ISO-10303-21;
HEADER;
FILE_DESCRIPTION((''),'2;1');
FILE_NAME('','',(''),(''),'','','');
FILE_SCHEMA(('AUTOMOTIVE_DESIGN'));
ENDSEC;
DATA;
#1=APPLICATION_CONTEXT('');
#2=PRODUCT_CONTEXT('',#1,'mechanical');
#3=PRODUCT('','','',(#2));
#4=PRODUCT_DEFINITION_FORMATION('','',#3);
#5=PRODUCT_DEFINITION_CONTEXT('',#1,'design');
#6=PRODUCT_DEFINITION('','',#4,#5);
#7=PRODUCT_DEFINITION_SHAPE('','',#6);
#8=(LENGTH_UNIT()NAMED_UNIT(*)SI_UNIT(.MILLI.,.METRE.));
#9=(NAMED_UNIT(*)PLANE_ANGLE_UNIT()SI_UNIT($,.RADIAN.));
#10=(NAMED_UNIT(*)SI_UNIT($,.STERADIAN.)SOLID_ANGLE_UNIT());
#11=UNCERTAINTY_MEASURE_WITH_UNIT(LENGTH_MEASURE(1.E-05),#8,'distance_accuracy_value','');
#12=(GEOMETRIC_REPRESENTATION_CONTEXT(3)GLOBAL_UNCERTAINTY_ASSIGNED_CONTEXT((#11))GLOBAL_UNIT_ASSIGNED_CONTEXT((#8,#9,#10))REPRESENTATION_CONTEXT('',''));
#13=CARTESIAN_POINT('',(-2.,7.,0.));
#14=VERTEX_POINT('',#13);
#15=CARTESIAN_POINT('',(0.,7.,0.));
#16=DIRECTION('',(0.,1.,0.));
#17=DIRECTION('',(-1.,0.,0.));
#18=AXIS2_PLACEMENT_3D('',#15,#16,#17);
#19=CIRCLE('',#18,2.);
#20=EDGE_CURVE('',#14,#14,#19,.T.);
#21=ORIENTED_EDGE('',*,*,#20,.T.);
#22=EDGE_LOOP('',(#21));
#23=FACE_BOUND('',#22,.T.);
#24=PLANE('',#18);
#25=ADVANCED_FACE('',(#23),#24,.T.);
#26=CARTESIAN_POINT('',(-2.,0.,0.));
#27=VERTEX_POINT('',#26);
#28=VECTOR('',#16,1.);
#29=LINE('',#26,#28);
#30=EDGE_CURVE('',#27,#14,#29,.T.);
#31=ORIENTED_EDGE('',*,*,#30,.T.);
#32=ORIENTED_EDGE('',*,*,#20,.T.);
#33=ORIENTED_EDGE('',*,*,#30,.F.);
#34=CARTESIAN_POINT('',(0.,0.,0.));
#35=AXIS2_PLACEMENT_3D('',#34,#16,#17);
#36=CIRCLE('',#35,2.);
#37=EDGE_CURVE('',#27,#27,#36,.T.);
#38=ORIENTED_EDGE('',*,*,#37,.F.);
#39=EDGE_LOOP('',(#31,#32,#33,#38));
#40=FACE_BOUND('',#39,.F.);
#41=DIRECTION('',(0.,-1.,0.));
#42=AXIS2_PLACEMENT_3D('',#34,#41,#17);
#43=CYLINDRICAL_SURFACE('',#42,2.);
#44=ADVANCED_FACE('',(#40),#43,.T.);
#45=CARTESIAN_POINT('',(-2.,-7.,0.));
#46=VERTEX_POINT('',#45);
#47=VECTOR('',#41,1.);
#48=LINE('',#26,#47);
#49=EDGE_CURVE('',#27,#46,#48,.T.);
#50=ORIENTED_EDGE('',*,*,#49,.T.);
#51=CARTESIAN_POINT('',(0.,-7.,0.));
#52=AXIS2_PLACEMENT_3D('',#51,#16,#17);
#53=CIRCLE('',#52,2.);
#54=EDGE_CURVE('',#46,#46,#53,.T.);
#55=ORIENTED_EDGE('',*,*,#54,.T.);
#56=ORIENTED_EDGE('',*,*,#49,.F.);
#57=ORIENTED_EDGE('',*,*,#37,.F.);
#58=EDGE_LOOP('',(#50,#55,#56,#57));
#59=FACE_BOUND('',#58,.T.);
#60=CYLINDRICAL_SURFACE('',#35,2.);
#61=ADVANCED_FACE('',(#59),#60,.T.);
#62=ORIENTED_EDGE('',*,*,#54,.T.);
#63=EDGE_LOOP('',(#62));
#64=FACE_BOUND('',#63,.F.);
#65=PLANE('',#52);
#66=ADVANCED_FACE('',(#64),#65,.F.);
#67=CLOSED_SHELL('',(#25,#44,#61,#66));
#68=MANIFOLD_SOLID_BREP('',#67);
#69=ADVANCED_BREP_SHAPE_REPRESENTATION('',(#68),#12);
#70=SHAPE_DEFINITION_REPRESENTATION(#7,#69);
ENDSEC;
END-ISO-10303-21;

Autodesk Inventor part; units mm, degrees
sketch "Эскиз1" plane through (0, 0, 0) normal (0, 1, 0) x (-1, 0, 0)
  circle A0 centre (0, 0) radius 2
  dimension "d0" = 4
extrude "Выдавливание1" add sketch "Эскиз1" along normal mid plane 14
properties part number "Вал_ведущих_шестерн"
